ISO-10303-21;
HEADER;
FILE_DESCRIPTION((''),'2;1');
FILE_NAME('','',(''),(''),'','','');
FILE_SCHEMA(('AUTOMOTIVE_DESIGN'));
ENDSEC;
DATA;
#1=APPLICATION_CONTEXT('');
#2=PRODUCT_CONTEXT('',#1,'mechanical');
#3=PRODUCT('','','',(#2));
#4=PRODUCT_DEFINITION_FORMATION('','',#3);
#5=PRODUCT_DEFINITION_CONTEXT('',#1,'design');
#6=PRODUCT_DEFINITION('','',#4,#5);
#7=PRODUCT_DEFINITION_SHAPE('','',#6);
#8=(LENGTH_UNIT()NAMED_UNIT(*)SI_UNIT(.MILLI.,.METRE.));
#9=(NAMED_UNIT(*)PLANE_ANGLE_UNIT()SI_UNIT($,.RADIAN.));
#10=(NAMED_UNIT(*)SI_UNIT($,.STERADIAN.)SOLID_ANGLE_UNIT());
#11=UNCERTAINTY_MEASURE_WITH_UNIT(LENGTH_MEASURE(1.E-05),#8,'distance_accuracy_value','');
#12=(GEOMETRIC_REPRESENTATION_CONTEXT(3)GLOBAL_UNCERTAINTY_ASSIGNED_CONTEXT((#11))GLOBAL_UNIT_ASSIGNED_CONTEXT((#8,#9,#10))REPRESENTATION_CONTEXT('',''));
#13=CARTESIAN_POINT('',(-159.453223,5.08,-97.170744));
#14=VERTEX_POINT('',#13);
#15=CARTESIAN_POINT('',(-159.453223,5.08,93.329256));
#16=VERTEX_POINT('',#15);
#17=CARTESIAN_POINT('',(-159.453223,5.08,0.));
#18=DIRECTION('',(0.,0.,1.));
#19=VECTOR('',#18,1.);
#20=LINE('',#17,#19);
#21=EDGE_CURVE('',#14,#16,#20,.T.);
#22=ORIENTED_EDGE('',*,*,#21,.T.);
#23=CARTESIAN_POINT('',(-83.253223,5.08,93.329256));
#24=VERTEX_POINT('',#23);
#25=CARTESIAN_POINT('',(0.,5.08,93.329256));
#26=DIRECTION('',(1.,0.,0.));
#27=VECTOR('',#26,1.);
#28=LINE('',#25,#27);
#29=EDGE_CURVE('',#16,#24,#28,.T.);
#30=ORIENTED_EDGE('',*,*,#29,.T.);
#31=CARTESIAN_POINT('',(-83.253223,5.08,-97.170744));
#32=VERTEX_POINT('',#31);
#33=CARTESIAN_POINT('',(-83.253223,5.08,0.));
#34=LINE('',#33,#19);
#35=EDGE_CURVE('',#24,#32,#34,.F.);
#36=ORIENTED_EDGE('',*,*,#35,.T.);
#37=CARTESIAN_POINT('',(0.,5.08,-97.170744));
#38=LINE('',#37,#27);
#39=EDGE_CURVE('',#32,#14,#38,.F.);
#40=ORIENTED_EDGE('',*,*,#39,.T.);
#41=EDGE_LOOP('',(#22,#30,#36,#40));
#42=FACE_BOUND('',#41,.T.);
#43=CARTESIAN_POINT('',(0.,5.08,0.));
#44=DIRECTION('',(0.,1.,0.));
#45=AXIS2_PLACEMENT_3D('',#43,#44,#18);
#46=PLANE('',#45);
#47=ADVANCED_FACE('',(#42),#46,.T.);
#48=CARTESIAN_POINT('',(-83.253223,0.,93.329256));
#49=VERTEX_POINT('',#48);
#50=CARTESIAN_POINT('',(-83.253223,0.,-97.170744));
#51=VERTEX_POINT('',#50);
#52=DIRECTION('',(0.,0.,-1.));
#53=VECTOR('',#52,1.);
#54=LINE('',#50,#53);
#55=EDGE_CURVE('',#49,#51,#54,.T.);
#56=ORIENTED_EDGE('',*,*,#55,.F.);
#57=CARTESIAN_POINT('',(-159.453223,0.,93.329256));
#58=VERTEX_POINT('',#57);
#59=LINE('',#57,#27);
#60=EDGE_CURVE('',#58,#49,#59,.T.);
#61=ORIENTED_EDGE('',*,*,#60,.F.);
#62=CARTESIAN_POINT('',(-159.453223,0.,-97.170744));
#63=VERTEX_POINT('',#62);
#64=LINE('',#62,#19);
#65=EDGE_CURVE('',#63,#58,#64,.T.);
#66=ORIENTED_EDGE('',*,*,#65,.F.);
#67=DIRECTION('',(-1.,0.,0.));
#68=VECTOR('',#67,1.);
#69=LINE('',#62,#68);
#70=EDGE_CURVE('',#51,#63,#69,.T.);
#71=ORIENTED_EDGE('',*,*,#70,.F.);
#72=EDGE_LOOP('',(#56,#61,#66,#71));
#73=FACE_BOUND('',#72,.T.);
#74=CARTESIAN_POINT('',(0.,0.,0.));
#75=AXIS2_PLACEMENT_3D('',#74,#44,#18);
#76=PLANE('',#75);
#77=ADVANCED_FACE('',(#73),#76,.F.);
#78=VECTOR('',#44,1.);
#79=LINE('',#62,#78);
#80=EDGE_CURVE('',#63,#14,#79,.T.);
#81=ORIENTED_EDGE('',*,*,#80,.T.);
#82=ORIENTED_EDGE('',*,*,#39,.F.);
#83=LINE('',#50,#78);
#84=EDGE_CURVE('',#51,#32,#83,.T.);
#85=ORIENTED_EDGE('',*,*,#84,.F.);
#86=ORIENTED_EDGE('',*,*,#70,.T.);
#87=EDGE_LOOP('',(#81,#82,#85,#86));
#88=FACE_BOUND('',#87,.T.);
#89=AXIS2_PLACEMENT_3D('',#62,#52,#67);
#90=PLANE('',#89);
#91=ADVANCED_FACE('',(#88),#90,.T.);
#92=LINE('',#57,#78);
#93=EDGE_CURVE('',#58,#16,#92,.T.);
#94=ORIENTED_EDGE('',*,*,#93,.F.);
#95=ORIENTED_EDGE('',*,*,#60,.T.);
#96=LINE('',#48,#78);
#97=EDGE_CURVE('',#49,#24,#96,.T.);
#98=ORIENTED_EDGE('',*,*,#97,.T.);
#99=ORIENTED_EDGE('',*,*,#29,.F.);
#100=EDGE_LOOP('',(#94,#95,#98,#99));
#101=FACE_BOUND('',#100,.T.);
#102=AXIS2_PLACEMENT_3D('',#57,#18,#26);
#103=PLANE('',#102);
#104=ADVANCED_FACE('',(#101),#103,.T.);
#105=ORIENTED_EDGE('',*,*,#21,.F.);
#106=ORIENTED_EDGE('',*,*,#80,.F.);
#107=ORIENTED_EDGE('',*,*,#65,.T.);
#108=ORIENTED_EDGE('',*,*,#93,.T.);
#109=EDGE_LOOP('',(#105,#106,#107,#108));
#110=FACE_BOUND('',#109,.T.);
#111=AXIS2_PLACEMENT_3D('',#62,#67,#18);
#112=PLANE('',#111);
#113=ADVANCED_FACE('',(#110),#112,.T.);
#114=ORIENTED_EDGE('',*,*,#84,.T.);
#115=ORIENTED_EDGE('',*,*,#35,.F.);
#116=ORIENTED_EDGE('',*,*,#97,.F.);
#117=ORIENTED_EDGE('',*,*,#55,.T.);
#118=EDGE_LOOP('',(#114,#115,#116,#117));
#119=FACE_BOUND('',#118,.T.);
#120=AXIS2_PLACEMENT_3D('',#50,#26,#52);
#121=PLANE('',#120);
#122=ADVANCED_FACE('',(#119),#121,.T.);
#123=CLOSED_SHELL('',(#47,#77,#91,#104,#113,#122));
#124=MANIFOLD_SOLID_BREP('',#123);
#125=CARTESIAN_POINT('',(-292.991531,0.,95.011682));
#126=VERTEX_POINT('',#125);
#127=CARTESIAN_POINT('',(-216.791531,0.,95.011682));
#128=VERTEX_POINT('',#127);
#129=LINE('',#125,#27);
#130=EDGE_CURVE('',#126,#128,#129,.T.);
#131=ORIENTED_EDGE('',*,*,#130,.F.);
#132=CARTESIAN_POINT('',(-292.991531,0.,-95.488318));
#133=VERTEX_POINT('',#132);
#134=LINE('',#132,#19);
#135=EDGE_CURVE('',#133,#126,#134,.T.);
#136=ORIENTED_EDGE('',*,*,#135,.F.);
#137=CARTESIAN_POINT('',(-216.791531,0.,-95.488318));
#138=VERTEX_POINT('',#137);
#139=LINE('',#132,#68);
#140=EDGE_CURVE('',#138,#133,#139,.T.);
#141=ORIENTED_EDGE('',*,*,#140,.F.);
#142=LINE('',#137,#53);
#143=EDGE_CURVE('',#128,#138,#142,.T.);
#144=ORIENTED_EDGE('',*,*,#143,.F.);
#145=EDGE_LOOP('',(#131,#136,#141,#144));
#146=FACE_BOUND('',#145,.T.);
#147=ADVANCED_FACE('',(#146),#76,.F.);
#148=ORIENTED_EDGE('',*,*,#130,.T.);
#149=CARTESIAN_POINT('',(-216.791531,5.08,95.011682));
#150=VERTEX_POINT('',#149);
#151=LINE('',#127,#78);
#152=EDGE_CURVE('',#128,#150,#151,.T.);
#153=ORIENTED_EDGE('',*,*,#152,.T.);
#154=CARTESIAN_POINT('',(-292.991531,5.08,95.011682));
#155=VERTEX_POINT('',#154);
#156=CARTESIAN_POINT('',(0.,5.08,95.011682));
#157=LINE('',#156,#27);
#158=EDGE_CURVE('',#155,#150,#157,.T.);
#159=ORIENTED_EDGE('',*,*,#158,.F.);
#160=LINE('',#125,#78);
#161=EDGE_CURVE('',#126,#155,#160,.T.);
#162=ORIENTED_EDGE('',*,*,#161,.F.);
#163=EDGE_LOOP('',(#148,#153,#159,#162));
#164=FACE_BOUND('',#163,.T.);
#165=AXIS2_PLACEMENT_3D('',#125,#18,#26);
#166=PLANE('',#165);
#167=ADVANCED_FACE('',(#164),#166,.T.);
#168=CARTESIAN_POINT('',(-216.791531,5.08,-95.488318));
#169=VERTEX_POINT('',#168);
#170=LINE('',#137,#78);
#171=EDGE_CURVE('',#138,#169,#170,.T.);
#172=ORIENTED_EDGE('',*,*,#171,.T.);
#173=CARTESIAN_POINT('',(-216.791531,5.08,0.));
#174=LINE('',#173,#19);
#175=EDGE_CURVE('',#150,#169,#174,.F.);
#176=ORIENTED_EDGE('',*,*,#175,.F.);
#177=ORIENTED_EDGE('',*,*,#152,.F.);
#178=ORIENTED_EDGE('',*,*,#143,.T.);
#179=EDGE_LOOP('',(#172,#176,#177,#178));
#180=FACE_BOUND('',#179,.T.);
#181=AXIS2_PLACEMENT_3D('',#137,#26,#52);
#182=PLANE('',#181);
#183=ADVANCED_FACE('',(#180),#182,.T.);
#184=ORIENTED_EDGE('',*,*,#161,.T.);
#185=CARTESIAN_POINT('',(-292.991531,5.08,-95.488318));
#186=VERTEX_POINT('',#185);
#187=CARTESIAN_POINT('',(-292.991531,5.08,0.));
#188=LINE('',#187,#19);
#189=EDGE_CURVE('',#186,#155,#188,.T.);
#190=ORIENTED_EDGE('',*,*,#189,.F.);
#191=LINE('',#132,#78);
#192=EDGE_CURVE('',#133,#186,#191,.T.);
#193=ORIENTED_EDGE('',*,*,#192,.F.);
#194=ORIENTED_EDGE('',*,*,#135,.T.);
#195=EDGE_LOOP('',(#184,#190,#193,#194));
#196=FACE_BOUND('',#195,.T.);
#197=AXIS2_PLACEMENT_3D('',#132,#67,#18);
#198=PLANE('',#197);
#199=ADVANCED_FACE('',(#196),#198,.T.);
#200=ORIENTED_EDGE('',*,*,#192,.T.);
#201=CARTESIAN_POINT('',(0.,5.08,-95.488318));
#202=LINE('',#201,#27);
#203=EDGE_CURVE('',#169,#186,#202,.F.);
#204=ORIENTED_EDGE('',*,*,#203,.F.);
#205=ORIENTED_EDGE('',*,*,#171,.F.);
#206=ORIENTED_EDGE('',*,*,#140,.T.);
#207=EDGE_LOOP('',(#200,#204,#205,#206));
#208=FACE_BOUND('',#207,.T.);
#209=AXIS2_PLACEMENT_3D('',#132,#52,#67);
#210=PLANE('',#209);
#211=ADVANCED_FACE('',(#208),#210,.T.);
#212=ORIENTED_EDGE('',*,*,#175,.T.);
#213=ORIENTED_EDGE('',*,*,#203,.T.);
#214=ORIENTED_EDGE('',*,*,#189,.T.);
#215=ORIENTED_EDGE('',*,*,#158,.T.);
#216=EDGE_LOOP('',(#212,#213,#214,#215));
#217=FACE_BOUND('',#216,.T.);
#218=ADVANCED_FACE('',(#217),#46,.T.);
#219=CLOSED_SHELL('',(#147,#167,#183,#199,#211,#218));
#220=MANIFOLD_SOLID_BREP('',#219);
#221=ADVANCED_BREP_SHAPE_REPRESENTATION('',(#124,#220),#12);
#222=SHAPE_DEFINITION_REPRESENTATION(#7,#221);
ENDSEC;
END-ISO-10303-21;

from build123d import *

# Parameters (mm, degrees)
SKETCH1_W   = 76.2
SKETCH1_H   = 190.5
THICKEN1_T1 = 5.08
SKETCH2_W   = 76.2
SKETCH2_H   = 190.5
THICKEN2_T1 = 5.08


with BuildPart() as body_1:
    # Sketch1 → Surface-Plane1: a flat surface bounded by the sketch
    with BuildSketch(Plane(origin=(0, 0, 0), x_dir=(1, 0, 0), z_dir=(0, 1, 0)), mode=Mode.PRIVATE) as surface_plane1_1_region:
        with Locations((-121.35322314, 1.920743802)):
            Rectangle(SKETCH1_W, SKETCH1_H)
    surface_plane1_1 = surface_plane1_1_region.sketch.faces()[0]
    add(Solid.thicken(surface_plane1_1, THICKEN1_T1))


with BuildPart() as body_2:
    # Sketch2 → Surface-Plane2: a flat surface bounded by the sketch
    with BuildSketch(Plane(origin=(0, 0, 0), x_dir=(1, 0, 0), z_dir=(0, 1, 0)), mode=Mode.PRIVATE) as surface_plane2_2_region:
        with Locations((-254.891531356, 0.238317939)):
            Rectangle(SKETCH2_W, SKETCH2_H)
    surface_plane2_2 = surface_plane2_2_region.sketch.faces()[0]
    add(Solid.thicken(surface_plane2_2, THICKEN2_T1))


solid = Compound([body_1.part, body_2.part])
